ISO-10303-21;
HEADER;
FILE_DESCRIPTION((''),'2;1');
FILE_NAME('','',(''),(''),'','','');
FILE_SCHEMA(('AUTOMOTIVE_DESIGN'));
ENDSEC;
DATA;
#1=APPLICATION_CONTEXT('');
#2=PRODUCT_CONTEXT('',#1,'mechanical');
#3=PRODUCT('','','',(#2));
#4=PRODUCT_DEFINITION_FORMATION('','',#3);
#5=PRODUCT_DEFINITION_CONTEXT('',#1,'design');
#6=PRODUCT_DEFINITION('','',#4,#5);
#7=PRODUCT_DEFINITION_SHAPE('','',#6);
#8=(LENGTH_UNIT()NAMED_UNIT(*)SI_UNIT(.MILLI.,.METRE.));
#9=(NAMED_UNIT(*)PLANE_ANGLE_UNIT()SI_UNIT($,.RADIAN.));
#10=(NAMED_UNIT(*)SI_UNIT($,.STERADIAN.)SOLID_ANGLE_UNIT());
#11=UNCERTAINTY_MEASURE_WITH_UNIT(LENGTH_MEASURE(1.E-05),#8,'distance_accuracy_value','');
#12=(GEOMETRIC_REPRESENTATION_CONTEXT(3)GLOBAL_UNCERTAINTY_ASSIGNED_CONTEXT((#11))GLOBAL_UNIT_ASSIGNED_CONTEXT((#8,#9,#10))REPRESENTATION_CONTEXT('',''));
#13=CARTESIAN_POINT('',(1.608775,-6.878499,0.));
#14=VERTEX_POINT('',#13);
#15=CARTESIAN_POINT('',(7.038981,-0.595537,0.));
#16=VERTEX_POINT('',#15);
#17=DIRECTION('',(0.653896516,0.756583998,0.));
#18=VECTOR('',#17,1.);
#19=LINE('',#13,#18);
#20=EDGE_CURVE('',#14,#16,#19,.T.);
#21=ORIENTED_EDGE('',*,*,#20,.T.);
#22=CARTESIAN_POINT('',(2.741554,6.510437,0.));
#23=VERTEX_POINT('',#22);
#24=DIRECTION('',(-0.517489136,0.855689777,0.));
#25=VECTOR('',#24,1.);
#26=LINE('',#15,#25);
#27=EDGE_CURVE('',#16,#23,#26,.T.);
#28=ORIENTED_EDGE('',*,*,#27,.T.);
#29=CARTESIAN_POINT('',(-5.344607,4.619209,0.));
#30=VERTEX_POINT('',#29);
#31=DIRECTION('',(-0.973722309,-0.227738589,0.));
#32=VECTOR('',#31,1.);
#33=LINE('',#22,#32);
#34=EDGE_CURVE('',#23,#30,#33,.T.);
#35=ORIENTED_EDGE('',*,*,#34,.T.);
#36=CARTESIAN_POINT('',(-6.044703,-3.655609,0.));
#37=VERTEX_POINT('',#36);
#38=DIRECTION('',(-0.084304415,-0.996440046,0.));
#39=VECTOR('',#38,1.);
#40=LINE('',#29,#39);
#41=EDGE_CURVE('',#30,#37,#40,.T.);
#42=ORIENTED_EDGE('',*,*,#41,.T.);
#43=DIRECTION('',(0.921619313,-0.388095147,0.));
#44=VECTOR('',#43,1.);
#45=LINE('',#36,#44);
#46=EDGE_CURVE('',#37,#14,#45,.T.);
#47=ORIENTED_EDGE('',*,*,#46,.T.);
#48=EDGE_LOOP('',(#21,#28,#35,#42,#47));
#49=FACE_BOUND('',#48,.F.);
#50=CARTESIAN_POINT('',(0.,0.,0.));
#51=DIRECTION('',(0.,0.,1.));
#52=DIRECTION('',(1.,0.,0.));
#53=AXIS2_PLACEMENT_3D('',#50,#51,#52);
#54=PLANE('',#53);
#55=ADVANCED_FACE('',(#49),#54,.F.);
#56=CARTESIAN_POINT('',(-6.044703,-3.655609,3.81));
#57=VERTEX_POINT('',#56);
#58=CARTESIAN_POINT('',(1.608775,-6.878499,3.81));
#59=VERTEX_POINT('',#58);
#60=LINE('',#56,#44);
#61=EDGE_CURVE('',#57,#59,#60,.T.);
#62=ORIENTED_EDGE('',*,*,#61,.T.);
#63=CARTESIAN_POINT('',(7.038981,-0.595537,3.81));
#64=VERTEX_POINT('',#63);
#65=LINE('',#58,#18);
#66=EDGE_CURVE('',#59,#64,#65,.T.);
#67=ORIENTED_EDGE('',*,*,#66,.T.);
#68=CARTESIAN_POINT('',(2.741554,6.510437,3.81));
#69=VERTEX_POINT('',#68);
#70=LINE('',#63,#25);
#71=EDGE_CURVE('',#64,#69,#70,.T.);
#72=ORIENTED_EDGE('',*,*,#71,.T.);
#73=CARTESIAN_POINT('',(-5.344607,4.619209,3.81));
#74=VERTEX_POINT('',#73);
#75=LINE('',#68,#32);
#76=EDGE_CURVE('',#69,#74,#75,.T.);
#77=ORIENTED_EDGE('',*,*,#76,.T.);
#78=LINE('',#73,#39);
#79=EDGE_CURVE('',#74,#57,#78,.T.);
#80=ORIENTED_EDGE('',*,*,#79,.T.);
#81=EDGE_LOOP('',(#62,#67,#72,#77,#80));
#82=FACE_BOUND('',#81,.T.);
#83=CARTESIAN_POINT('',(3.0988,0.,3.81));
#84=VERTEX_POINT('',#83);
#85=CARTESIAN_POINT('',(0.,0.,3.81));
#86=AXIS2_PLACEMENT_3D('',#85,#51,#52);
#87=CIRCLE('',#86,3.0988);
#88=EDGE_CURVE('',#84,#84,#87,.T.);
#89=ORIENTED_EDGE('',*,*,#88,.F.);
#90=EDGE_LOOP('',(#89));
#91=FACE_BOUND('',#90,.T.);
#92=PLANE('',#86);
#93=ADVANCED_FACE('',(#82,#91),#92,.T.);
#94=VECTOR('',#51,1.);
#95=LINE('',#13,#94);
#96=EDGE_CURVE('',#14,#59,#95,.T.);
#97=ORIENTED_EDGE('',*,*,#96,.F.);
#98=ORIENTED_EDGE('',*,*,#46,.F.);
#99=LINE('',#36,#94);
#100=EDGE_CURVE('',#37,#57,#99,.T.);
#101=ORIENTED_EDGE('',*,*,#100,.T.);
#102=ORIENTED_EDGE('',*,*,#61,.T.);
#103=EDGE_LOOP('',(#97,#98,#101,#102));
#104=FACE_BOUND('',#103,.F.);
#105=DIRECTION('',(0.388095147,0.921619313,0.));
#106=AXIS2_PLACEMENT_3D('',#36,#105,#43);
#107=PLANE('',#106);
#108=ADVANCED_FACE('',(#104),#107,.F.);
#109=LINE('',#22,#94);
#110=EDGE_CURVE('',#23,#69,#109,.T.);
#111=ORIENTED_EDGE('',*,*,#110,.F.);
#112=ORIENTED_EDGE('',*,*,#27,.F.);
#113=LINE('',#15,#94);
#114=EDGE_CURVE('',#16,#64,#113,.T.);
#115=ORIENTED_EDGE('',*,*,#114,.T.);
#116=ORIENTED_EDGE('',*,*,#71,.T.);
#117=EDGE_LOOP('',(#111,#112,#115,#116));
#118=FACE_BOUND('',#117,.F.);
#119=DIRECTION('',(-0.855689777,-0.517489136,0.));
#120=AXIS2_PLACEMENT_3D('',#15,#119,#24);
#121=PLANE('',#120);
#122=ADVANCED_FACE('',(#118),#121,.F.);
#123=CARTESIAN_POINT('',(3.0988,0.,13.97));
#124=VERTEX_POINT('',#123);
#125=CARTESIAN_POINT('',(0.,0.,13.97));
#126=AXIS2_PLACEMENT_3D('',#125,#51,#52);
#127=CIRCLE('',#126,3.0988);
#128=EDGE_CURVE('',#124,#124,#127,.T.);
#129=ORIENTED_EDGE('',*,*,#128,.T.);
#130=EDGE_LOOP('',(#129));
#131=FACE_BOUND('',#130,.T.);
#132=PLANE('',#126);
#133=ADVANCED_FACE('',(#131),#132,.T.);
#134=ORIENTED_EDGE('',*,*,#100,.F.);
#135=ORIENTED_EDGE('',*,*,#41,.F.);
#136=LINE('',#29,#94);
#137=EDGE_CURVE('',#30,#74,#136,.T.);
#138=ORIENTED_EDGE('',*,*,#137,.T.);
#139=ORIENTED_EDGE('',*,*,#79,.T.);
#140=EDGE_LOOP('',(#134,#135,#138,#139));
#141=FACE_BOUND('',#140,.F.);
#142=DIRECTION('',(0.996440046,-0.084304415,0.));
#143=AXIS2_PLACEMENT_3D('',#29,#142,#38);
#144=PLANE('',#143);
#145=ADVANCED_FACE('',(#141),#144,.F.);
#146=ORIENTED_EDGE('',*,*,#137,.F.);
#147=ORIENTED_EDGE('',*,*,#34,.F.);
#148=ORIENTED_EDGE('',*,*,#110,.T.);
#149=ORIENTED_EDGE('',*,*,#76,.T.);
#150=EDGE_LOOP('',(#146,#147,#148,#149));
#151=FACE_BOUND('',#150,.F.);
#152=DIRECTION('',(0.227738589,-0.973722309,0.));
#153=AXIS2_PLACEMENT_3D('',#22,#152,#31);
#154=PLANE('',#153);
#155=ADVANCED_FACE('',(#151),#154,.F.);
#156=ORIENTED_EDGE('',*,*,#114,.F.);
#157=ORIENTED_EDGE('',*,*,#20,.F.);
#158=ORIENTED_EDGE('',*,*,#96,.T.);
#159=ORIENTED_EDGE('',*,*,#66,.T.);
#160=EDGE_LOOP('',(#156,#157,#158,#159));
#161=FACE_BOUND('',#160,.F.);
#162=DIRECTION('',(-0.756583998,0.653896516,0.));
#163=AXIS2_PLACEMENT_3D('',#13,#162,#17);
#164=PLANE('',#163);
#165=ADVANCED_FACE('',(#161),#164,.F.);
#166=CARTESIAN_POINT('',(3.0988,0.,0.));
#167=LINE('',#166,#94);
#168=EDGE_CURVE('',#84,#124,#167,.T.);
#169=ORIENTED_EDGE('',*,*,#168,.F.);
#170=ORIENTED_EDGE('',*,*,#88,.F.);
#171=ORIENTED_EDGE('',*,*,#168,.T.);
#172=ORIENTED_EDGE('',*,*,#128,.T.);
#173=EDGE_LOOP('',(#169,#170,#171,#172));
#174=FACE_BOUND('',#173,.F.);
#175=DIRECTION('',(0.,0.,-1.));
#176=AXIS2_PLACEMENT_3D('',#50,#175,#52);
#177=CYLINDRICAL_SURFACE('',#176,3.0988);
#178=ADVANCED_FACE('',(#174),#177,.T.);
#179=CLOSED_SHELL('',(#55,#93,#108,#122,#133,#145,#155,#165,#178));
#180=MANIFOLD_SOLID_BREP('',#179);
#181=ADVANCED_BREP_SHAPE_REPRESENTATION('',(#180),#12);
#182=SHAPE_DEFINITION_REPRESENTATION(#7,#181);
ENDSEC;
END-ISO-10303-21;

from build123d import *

# Parameters (mm, degrees)
F0_R     = 3.0988
F1_DEPTH = 13.97
F2_DEPTH = 3.81


with BuildPart() as f1:
    # F0 (on Top) → F1 (new body)
    with BuildSketch(Plane.XY):
        Circle(F0_R)
    extrude(amount=F1_DEPTH)

    # F0 (on Top) → F2 (join)
    with BuildSketch(Plane.XY):
        Polygon((7.038981, -0.595537), (2.741554, 6.510437), (-5.344607, 4.619209), (-6.044703, -3.655609), (1.608775, -6.878499), align=None)
        Circle(F0_R, mode=Mode.SUBTRACT)
    extrude(amount=F2_DEPTH)


solid = f1.part
